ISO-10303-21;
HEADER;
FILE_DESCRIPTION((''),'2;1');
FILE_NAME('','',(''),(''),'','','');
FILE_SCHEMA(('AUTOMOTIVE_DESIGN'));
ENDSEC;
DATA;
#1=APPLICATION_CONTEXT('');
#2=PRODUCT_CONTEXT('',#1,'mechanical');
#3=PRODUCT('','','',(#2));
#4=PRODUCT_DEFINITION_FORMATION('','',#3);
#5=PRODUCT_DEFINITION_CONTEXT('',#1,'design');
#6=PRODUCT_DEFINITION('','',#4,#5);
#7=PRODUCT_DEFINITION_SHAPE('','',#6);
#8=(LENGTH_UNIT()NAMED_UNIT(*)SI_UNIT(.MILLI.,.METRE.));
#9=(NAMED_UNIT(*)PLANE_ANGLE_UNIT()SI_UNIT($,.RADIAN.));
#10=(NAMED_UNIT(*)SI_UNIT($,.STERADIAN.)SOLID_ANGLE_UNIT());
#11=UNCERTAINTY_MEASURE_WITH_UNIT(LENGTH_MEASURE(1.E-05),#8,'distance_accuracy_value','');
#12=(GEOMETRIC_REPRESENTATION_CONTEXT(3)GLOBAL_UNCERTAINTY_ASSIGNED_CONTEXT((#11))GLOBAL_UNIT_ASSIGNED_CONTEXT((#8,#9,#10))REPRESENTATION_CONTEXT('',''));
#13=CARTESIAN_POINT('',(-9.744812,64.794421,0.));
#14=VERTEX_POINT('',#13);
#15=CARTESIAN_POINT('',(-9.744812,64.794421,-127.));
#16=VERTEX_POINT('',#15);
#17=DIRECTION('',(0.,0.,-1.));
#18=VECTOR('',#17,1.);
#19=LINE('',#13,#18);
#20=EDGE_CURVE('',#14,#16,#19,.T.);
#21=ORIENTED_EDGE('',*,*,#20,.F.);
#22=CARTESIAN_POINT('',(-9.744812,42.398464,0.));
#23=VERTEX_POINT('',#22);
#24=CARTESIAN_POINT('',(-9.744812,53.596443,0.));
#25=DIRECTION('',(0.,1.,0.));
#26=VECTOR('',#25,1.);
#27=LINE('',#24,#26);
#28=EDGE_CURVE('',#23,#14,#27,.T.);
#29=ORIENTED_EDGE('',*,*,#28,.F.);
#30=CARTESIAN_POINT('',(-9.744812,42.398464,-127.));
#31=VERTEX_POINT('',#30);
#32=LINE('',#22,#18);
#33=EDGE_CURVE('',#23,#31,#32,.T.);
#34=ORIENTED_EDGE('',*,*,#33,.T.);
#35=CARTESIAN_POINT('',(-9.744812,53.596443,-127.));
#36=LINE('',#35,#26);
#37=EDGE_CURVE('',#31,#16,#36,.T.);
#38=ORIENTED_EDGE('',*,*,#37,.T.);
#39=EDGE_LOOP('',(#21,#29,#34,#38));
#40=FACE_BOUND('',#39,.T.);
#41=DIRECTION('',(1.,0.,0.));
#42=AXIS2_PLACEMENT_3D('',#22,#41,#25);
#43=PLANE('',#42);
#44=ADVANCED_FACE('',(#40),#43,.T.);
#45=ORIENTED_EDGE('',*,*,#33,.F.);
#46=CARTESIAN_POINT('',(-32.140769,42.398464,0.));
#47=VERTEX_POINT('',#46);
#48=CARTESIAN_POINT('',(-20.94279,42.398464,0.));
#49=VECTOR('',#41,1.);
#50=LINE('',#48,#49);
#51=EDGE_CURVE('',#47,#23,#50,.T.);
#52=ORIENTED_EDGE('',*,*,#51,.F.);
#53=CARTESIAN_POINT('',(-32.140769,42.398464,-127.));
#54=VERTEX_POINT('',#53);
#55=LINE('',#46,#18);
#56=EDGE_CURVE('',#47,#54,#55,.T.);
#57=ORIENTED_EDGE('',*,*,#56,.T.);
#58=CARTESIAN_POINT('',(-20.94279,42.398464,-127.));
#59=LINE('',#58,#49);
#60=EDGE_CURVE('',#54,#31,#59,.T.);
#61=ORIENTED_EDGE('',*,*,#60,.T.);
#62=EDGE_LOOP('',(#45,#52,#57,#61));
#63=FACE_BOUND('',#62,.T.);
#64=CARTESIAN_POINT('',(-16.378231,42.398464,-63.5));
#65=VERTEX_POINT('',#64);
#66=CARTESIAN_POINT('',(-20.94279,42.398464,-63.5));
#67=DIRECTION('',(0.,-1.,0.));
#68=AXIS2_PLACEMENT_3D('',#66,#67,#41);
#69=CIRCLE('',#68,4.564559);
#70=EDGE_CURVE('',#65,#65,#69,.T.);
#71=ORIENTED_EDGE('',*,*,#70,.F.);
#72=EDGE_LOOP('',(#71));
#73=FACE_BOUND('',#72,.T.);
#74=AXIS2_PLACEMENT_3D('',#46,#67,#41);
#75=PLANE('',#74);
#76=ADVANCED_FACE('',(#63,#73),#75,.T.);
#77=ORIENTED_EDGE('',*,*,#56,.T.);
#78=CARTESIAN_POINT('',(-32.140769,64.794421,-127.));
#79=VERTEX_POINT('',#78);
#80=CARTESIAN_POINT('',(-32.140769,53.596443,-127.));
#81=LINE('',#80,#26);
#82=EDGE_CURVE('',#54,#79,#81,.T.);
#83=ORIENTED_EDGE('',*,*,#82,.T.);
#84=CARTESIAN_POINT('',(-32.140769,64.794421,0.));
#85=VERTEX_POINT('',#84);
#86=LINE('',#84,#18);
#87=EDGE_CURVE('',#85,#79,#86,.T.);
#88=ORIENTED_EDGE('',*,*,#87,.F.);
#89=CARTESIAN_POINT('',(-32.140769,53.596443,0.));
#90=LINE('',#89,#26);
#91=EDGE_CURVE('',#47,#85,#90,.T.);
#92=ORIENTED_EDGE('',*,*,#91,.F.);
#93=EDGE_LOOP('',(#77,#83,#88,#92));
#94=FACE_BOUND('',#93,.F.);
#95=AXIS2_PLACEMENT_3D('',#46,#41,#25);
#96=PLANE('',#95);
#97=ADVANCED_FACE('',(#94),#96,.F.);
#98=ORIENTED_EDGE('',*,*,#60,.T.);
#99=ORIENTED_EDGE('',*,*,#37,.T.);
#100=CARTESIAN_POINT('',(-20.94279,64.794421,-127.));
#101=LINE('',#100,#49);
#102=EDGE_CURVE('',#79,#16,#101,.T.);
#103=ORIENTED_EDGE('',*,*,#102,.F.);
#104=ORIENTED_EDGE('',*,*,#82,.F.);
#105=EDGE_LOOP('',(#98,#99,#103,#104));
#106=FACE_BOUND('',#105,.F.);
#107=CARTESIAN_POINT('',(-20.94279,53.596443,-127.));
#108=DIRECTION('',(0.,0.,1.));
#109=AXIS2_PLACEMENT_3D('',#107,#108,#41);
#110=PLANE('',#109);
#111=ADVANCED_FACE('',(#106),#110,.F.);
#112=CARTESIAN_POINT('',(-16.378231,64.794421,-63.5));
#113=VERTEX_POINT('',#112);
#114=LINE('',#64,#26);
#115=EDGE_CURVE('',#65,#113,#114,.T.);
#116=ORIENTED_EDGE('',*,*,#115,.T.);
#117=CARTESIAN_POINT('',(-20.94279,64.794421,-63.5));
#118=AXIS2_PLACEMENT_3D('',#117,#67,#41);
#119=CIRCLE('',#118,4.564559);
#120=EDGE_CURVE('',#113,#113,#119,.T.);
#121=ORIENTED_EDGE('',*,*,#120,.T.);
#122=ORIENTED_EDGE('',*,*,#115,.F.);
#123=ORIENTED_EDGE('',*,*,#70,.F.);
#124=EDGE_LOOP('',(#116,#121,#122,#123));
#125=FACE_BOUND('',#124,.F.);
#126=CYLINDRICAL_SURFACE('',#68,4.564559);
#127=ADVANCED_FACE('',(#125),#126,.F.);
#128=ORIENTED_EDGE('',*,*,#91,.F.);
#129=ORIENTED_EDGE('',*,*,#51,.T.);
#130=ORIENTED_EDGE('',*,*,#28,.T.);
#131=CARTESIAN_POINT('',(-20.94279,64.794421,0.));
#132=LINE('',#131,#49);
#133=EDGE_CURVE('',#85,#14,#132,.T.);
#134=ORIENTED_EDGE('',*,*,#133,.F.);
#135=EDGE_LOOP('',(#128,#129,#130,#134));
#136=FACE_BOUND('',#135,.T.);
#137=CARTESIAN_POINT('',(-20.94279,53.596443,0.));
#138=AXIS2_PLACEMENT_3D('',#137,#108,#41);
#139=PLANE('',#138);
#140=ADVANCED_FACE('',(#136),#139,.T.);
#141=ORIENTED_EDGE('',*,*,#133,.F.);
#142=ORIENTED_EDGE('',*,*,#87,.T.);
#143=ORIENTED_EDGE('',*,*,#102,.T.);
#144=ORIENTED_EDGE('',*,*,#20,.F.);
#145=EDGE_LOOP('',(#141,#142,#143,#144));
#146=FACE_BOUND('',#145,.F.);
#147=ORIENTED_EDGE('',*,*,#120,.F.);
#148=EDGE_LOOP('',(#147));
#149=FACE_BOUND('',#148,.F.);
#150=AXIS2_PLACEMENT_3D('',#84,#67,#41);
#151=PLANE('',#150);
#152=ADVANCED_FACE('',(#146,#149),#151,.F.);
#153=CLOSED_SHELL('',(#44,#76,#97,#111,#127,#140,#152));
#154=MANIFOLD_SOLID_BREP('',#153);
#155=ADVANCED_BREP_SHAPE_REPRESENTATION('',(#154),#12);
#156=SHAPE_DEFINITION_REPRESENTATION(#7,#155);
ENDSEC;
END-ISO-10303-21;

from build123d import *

# Parameters (mm, degrees)
F0_W     = 22.3959572613
F0_H     = 22.3959572613
F1_DEPTH = 127
F2_R     = 4.5645593484
F3_DEPTH = 22.3969572613


with BuildPart() as f1:
    # F0 (on Top) → F1 (new body)
    with BuildSketch(Plane.XY):
        with Locations((-20.9427904338, 53.5964425653)):
            Rectangle(F0_W, F0_H)
    extrude(amount=-F1_DEPTH)

    # F2 (on face) → F3 (cut, through all)
    with BuildSketch(Plane.XZ.offset(-42.3984639347)):
        with Locations((-20.9427904338, -63.5)):
            Circle(F2_R)
    extrude(amount=-F3_DEPTH, mode=Mode.SUBTRACT)


solid = f1.part
